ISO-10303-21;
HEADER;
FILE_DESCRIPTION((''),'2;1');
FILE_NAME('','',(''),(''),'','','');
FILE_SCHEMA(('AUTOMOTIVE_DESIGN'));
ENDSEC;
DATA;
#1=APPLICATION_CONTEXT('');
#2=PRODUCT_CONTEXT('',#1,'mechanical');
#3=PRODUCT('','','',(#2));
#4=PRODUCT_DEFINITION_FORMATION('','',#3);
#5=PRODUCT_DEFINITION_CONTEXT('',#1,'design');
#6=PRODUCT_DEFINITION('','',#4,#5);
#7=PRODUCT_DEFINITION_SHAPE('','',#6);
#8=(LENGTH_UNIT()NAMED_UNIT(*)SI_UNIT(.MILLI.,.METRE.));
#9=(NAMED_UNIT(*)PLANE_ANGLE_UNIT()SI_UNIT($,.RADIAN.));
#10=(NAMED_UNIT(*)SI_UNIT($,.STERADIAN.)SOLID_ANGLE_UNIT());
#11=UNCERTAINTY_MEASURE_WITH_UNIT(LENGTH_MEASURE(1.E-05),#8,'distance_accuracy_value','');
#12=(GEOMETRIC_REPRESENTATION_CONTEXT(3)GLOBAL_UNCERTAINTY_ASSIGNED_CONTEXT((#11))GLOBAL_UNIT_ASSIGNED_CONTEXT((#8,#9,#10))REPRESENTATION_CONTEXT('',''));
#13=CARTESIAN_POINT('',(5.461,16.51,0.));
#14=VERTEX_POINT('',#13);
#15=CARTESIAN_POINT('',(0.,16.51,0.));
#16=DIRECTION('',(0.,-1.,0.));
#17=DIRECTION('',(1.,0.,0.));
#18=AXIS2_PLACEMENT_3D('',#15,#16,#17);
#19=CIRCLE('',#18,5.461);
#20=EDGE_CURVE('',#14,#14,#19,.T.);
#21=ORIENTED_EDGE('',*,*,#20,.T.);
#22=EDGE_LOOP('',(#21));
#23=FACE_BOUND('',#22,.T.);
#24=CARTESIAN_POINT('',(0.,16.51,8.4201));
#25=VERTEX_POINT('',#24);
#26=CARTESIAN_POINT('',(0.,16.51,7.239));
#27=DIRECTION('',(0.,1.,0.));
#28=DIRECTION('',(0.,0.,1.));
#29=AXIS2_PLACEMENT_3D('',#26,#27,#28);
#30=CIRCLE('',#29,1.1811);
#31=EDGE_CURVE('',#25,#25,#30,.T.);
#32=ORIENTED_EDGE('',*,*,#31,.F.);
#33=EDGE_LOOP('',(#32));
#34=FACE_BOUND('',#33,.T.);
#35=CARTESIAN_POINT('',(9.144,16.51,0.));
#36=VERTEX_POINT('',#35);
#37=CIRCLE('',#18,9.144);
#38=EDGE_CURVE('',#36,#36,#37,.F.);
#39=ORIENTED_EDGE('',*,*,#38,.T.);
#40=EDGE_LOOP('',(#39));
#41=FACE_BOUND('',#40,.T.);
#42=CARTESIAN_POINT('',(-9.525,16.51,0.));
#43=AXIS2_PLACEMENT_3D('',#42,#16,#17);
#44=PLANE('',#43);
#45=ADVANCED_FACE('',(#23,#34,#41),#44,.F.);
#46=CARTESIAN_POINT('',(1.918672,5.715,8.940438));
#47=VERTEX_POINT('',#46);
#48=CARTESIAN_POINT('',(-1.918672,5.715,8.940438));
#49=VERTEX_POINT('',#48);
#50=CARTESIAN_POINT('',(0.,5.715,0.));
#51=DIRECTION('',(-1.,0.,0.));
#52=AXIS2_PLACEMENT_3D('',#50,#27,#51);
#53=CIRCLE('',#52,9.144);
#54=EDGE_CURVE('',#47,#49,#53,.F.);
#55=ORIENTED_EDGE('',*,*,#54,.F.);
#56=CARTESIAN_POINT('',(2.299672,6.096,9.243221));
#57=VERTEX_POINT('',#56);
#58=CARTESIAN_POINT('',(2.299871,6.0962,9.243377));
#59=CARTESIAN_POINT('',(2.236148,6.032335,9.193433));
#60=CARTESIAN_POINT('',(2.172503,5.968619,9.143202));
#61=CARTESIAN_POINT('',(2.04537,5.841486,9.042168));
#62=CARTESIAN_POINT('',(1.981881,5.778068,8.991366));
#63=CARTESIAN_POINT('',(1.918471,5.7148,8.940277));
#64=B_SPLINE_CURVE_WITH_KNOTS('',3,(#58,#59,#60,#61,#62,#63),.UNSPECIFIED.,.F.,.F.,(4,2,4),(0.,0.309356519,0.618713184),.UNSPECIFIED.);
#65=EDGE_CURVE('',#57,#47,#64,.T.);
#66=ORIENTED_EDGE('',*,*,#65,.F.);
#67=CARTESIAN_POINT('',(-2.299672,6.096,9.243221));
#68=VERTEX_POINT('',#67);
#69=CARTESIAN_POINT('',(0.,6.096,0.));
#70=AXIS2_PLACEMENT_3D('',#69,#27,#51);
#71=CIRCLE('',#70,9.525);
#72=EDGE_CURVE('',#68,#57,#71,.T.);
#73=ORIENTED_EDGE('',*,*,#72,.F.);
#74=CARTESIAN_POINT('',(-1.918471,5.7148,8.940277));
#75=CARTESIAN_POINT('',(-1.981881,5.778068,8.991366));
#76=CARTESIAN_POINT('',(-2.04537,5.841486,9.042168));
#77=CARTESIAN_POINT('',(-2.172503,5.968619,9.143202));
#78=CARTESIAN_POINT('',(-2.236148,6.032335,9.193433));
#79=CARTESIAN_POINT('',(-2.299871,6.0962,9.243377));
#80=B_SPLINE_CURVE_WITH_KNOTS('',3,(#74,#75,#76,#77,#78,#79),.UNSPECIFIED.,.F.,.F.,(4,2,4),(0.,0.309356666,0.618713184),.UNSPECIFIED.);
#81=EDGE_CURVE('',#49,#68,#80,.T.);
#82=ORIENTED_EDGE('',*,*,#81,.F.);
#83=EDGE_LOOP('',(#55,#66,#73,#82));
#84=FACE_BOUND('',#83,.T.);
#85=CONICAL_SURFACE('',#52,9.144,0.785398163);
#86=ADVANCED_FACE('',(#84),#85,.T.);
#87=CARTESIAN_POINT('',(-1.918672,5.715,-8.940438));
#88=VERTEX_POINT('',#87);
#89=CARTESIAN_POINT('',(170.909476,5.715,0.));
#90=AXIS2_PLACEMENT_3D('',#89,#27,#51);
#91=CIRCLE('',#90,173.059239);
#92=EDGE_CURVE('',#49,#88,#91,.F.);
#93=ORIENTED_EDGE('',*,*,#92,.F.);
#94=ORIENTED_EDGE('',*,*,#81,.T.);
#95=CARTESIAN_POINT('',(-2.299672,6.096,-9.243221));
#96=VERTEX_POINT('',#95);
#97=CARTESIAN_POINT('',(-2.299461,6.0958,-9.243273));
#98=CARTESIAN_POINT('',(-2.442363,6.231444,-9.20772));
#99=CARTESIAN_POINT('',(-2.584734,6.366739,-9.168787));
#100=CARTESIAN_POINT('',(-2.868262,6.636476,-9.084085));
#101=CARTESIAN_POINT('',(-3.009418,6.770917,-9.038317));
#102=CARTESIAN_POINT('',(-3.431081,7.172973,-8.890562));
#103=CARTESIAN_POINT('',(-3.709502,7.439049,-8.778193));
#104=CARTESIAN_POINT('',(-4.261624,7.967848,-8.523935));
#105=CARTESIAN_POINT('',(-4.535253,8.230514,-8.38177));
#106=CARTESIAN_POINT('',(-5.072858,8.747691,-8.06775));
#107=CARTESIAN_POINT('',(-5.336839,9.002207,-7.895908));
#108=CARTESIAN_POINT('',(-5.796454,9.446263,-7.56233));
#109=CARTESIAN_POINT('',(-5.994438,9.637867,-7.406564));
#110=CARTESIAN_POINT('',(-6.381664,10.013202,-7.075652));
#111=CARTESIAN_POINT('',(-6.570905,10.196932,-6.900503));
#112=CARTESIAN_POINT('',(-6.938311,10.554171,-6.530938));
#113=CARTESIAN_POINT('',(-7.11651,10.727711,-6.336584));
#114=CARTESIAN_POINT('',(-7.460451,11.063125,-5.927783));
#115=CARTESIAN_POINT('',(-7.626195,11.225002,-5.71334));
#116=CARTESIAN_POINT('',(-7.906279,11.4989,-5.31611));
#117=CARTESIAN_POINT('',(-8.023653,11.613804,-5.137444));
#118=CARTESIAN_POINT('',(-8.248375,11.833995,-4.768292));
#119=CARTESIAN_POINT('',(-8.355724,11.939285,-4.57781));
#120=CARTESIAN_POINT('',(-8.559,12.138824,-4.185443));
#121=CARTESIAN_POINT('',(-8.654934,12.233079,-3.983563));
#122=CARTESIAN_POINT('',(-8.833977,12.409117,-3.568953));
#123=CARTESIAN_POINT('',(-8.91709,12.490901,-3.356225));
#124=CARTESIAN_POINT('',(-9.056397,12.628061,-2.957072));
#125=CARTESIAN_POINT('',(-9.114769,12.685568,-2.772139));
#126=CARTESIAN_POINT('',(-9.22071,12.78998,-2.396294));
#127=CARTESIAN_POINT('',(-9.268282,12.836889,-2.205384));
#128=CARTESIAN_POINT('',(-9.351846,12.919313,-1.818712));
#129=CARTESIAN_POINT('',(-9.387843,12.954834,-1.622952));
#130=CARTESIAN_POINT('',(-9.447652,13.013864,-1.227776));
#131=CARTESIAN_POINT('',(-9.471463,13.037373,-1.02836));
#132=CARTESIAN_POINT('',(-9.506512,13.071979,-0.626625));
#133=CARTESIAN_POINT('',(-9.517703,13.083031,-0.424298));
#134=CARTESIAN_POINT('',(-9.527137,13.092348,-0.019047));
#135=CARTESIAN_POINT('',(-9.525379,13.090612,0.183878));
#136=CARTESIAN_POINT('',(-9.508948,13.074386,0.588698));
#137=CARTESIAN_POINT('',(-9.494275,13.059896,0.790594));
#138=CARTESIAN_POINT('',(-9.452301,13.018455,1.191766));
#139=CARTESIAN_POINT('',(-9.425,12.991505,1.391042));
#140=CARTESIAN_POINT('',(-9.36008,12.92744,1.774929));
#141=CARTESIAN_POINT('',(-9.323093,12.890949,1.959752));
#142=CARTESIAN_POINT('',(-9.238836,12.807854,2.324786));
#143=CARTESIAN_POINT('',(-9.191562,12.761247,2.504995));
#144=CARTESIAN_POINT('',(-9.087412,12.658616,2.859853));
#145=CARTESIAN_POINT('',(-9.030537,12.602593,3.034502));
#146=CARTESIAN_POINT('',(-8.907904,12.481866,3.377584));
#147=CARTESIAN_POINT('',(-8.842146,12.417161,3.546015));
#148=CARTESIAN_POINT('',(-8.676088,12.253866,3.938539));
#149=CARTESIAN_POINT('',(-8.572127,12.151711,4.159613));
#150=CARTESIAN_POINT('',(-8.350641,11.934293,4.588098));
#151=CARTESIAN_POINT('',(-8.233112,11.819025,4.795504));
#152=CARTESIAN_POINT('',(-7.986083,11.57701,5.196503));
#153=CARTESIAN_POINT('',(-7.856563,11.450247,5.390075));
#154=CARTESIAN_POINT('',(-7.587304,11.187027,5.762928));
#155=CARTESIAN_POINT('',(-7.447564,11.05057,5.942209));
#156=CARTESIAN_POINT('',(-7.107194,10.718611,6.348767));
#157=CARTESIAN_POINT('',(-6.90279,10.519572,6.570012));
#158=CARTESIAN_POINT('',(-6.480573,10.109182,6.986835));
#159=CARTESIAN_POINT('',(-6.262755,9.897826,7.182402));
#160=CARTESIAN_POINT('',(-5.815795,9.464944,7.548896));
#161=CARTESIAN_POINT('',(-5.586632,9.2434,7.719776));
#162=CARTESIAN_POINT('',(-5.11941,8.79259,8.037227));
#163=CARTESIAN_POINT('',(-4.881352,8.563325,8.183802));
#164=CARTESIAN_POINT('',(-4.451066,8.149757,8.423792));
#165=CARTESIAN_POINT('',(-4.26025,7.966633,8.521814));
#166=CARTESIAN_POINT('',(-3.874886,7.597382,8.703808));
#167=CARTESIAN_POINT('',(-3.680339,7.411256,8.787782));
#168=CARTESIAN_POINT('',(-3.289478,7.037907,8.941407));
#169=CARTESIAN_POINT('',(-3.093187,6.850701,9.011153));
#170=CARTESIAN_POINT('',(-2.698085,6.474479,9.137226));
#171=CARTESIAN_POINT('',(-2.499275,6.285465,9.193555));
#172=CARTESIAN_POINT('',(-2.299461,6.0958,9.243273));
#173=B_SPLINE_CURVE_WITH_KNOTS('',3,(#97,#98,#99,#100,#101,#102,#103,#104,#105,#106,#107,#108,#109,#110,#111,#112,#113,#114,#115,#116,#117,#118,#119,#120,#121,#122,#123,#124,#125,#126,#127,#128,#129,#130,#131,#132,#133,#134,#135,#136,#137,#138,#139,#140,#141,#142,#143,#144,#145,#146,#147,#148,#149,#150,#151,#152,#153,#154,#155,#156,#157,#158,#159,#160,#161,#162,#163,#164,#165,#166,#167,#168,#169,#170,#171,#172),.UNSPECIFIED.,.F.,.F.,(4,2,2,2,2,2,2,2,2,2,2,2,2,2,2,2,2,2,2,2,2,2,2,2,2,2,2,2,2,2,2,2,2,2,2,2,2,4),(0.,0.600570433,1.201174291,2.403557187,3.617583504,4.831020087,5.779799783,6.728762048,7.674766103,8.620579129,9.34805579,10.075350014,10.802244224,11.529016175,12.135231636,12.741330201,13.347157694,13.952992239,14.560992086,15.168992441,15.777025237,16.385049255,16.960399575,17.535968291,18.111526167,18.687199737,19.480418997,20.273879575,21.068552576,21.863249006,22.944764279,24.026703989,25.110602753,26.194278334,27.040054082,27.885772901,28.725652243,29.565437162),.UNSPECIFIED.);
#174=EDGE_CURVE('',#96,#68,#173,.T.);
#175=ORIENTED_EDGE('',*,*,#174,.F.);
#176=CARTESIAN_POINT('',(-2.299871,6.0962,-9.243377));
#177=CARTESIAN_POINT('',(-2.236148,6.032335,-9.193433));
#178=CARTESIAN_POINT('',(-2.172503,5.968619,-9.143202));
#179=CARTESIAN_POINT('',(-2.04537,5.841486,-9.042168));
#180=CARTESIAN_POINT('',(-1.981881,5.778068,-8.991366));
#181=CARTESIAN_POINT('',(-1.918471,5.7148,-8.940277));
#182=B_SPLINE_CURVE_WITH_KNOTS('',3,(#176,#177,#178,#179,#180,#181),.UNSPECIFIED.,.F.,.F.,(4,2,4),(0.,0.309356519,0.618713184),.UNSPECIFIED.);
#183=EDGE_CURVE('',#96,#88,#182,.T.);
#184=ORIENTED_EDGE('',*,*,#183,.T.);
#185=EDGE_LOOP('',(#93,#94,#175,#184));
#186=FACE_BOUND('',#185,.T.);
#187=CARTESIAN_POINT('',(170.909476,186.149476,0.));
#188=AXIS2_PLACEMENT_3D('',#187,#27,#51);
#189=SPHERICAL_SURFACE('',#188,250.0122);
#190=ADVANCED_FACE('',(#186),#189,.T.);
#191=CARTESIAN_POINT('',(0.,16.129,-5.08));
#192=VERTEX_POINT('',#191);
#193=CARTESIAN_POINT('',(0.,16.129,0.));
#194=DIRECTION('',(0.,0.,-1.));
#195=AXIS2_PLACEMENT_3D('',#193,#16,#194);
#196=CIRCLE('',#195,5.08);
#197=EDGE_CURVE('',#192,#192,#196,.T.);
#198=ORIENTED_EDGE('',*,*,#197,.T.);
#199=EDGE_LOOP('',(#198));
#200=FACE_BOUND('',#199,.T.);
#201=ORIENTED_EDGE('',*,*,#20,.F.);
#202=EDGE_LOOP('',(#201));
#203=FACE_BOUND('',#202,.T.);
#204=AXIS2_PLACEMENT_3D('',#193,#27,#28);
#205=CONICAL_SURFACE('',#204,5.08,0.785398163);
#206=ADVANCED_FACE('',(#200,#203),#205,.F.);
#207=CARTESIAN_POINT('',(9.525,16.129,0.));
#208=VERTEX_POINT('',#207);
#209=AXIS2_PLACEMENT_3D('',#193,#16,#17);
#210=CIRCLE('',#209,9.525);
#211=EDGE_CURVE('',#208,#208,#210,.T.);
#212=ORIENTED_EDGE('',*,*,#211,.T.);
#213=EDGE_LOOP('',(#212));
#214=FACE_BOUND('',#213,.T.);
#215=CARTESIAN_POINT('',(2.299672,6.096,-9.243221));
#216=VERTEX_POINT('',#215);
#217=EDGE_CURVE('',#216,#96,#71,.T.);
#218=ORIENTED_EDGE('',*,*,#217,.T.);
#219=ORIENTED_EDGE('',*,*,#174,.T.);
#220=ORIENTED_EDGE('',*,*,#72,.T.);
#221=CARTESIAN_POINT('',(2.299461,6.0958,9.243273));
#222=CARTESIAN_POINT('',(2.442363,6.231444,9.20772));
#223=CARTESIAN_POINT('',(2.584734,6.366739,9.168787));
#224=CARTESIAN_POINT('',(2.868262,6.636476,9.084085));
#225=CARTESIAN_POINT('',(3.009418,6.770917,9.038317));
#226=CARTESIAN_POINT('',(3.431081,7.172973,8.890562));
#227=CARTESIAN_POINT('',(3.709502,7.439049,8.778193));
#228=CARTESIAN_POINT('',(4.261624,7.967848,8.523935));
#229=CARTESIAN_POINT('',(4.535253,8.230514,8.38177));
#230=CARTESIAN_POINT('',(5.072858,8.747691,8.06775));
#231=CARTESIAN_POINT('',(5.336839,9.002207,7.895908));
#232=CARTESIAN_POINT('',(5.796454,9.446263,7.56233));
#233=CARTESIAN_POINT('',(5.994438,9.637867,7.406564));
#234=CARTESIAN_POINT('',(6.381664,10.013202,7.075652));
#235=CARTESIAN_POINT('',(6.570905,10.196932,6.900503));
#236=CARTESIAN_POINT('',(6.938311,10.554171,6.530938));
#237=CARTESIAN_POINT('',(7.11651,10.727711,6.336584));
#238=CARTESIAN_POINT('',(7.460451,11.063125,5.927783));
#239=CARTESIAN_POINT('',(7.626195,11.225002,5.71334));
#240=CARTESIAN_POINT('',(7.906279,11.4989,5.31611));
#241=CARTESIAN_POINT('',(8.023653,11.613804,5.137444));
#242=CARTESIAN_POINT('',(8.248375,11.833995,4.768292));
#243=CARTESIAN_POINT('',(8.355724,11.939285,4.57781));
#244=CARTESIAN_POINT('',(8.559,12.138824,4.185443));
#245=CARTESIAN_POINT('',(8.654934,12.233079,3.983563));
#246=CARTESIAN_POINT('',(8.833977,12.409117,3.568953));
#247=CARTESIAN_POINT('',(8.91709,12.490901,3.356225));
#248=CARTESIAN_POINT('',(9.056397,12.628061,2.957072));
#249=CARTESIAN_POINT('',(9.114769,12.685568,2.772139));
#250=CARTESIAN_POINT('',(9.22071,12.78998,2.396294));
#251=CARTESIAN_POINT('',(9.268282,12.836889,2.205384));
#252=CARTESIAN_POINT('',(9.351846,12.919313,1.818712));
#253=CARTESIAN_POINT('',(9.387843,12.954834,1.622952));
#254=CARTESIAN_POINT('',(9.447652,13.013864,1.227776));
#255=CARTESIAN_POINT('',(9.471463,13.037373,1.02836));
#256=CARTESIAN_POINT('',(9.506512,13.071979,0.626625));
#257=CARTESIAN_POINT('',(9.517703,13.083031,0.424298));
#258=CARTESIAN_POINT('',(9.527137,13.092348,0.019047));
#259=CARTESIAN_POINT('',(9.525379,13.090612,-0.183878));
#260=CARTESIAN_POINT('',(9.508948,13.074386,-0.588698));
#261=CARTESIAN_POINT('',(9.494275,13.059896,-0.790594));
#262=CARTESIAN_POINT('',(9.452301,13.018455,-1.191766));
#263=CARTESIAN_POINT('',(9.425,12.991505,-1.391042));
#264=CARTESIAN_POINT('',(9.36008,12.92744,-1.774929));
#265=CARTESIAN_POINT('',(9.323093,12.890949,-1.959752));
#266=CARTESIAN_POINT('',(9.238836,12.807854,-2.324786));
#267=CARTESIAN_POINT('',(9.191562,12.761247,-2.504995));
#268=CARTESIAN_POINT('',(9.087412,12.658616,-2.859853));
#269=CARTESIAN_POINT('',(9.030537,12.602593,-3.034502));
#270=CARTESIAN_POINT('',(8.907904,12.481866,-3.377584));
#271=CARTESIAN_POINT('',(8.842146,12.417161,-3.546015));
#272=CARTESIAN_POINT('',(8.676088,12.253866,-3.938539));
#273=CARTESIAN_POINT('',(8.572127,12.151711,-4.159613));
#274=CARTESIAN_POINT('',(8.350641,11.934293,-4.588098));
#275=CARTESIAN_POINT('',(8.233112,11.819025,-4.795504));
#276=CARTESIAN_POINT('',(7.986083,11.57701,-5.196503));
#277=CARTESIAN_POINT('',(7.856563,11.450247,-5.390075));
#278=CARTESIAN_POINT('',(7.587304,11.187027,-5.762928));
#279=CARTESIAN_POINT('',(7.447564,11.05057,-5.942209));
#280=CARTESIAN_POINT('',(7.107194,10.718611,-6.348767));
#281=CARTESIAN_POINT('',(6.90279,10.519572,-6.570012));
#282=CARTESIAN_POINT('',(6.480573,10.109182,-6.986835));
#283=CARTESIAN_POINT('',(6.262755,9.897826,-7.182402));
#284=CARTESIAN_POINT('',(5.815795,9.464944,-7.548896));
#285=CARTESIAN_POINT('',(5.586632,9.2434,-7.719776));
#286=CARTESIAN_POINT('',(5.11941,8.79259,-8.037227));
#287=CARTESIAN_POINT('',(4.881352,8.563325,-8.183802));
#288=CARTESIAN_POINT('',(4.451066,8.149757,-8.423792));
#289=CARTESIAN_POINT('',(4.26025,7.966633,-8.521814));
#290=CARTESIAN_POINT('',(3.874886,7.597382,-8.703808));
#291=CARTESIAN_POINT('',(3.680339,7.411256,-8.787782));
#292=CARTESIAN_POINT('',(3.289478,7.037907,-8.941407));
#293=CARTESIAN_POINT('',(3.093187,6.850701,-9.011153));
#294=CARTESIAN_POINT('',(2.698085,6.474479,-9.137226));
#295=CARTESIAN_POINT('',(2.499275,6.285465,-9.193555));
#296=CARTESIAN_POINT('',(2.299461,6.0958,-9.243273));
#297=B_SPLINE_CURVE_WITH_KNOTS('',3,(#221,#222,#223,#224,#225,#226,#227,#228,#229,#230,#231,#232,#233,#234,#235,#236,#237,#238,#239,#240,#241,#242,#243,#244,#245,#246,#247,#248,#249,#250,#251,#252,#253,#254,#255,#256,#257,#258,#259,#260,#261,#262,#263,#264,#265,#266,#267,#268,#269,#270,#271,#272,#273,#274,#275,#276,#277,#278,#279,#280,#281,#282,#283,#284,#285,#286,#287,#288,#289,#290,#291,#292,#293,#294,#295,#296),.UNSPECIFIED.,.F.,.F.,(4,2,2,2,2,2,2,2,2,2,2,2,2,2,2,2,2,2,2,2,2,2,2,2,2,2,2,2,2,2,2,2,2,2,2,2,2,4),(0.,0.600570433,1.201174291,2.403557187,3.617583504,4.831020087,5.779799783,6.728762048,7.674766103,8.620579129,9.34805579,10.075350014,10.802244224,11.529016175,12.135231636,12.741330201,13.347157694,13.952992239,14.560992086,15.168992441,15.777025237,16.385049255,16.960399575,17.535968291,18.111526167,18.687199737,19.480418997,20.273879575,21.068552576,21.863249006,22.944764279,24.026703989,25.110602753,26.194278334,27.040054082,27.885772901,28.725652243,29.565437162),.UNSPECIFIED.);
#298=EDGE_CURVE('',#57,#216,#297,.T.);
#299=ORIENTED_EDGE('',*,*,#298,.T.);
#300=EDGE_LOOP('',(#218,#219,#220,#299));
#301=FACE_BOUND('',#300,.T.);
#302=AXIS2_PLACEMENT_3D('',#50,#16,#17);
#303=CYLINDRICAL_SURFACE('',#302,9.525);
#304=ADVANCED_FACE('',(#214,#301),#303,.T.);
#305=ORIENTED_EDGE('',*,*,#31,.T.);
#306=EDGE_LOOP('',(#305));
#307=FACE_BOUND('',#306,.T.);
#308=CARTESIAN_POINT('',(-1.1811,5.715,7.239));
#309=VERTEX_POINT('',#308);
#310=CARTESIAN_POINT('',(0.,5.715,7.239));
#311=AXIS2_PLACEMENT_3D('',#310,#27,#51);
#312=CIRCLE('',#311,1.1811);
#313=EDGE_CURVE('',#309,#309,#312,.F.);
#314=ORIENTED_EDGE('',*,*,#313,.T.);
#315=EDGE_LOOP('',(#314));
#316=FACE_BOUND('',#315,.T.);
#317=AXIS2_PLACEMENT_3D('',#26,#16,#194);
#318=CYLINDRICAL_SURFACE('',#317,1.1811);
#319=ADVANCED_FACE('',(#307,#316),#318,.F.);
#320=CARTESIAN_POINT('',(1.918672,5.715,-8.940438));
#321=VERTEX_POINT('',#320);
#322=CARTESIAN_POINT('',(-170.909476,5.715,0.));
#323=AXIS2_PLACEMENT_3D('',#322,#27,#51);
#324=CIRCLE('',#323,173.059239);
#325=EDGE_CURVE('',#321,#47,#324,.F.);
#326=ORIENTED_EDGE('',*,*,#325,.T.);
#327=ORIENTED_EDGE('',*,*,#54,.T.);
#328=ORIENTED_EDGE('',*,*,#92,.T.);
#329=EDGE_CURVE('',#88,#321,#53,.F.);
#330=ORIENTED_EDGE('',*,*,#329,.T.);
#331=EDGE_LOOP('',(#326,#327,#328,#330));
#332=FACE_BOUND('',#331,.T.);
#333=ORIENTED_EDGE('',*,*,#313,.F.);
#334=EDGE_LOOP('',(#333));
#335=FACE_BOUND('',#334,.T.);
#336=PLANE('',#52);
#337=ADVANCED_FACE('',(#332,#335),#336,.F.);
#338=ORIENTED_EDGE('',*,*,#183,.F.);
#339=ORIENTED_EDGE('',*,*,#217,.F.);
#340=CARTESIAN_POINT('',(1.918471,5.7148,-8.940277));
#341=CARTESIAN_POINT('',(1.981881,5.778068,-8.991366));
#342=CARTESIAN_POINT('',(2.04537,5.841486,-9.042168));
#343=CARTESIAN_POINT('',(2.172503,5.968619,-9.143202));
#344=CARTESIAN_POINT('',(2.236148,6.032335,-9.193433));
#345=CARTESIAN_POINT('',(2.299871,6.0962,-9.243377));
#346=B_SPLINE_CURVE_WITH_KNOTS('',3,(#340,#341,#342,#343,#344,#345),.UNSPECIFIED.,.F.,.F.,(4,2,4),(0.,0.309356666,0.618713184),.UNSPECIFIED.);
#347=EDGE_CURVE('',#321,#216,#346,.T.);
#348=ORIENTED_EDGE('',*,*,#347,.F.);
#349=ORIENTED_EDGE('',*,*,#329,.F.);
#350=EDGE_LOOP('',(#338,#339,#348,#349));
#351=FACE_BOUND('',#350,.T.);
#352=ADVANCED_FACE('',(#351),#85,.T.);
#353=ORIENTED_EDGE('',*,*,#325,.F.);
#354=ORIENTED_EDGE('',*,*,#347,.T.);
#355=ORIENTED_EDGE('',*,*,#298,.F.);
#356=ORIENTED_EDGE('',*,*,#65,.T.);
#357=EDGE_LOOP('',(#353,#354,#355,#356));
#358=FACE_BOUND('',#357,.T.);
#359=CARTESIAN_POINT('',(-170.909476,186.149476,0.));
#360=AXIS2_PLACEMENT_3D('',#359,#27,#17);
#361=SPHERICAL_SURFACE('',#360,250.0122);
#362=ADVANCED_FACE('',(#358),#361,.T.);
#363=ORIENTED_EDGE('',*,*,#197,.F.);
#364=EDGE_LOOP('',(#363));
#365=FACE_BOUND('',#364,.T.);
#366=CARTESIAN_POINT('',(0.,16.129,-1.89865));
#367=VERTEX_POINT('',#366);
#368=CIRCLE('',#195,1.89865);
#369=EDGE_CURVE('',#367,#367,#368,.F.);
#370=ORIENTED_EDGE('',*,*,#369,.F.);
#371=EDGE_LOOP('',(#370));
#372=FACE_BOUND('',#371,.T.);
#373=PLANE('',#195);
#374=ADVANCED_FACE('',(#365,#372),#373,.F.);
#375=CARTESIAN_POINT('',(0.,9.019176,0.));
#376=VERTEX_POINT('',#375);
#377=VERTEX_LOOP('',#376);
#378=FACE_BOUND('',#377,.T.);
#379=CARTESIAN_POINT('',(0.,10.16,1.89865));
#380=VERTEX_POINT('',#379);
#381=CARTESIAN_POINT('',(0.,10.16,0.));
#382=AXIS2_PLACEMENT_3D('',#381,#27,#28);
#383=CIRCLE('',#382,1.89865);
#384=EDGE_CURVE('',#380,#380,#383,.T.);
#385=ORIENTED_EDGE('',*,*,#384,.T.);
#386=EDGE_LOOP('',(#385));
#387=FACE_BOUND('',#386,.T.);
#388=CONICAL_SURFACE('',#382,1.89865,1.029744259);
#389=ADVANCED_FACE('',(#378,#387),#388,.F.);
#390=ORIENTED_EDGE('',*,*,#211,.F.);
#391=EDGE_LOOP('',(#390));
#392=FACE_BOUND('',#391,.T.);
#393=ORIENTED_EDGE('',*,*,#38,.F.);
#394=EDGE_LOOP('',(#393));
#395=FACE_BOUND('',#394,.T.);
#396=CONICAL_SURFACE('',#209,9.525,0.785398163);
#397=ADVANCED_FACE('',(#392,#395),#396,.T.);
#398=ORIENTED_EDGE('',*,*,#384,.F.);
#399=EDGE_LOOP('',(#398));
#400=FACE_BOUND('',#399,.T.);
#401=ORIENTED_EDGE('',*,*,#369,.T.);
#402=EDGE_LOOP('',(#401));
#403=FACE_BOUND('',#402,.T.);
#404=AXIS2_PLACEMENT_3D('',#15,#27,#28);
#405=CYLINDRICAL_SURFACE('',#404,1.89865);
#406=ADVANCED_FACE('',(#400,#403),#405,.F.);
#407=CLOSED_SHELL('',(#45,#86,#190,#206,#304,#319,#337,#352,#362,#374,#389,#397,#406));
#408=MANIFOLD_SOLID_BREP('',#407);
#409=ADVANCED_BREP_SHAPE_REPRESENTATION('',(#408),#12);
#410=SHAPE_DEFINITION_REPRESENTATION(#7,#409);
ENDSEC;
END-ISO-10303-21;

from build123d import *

# Parameters (mm, degrees)
SKETCH3_W                  = 9.525
SKETCH3_H                  = 10.795
SKETCH10_R                 = 1.1811
CUT_EXTRUDE1_DEPTH         = 17.51
CHAMFER1_SIZE              = 0.381
F_10_24_TAPPED_HOLE1_D     = 3.7973
F_10_24_TAPPED_HOLE1_DEPTH = 6.35
F_10_24_TAPPED_HOLE1_TIP   = 1.140824014


with BuildPart() as part:
    # Sketch3 → Revolve1 (revolve)
    with BuildSketch(Plane.XY, mode=Mode.PRIVATE) as revolve1_sk:
        with Locations((-4.7625, 11.1125)):
            Rectangle(SKETCH3_W, SKETCH3_H)
    revolve(revolve1_sk.sketch.rotate(Axis((0, 5.715, 0), (0, 1, 0)), 180), axis=Axis((0, 5.715, 0), (0, 1, 0)))  # turned: the seam where the file's is

    # Sketch10 → Cut-Extrude1 (cut, through all)
    with BuildSketch(Plane(origin=(0, 0, 0), x_dir=(1, 0, 0), z_dir=(0, 1, 0))):
        with Locations(Location((0, -7.239, 0), (0, 0, 180))):  # turned: the seam where the file's is
            Circle(SKETCH10_R)
    extrude(amount=CUT_EXTRUDE1_DEPTH, mode=Mode.SUBTRACT)

    # Chamfer1
    chamfer1_edges = [part.edges().sort_by_distance(p)[0] for p in [
        (-9.525, 16.51, 0),
        (-9.525, 5.715, 0),
    ]]
    chamfer(chamfer1_edges, length=CHAMFER1_SIZE)

    # #10-24 Tapped Hole1
    with Locations(Plane(origin=(0, 16.51, 0), x_dir=(1, 0, 0), z_dir=(0, 1, 0))):
        with Locations((0, 0)):
            Hole(F_10_24_TAPPED_HOLE1_D / 2, depth=F_10_24_TAPPED_HOLE1_DEPTH)
            with Locations((0, 0, -(F_10_24_TAPPED_HOLE1_DEPTH + F_10_24_TAPPED_HOLE1_TIP / 2))):  # 118° drill point
                Cone(0, F_10_24_TAPPED_HOLE1_D / 2, F_10_24_TAPPED_HOLE1_TIP, mode=Mode.SUBTRACT)

    # Sketch15 → Cut-Revolve3 (revolve, cut)
    with BuildSketch(Plane.XY):
        with BuildLine():
            Line((-11.578836277, 15.257357798), (-11.578836277, 2.536311926))
            Line((-11.578836277, 2.536311926), (1.226518223, 2.536311926))
            ThreePointArc((1.226518223, 2.536311926), (-5.290998219, 8.781234574), (-11.578836277, 15.257357798))
        make_face()
    cut_revolve3 = revolve(axis=Axis((170.909475954, 186.149475954, 0), (0, -1, 0)), mode=Mode.SUBTRACT)

    # Mirror2: Cut-Revolve3 across plane
    add(cut_revolve3.mirror(Plane(origin=(0, 0, 0), x_dir=(0, 0, 1), z_dir=(1, 0, 0))), mode=Mode.SUBTRACT)

    # Sketch16 → Cut-Revolve4 (revolve, cut)
    with BuildSketch(Plane.XY):
        Polygon((0, 16.999184369), (0, 16.129), (5.08, 16.129), (6.340889503, 17.389889503), align=None)
    revolve(axis=Axis((0, 0, 0), (0, 1, 0)), mode=Mode.SUBTRACT)


solid = part.part
